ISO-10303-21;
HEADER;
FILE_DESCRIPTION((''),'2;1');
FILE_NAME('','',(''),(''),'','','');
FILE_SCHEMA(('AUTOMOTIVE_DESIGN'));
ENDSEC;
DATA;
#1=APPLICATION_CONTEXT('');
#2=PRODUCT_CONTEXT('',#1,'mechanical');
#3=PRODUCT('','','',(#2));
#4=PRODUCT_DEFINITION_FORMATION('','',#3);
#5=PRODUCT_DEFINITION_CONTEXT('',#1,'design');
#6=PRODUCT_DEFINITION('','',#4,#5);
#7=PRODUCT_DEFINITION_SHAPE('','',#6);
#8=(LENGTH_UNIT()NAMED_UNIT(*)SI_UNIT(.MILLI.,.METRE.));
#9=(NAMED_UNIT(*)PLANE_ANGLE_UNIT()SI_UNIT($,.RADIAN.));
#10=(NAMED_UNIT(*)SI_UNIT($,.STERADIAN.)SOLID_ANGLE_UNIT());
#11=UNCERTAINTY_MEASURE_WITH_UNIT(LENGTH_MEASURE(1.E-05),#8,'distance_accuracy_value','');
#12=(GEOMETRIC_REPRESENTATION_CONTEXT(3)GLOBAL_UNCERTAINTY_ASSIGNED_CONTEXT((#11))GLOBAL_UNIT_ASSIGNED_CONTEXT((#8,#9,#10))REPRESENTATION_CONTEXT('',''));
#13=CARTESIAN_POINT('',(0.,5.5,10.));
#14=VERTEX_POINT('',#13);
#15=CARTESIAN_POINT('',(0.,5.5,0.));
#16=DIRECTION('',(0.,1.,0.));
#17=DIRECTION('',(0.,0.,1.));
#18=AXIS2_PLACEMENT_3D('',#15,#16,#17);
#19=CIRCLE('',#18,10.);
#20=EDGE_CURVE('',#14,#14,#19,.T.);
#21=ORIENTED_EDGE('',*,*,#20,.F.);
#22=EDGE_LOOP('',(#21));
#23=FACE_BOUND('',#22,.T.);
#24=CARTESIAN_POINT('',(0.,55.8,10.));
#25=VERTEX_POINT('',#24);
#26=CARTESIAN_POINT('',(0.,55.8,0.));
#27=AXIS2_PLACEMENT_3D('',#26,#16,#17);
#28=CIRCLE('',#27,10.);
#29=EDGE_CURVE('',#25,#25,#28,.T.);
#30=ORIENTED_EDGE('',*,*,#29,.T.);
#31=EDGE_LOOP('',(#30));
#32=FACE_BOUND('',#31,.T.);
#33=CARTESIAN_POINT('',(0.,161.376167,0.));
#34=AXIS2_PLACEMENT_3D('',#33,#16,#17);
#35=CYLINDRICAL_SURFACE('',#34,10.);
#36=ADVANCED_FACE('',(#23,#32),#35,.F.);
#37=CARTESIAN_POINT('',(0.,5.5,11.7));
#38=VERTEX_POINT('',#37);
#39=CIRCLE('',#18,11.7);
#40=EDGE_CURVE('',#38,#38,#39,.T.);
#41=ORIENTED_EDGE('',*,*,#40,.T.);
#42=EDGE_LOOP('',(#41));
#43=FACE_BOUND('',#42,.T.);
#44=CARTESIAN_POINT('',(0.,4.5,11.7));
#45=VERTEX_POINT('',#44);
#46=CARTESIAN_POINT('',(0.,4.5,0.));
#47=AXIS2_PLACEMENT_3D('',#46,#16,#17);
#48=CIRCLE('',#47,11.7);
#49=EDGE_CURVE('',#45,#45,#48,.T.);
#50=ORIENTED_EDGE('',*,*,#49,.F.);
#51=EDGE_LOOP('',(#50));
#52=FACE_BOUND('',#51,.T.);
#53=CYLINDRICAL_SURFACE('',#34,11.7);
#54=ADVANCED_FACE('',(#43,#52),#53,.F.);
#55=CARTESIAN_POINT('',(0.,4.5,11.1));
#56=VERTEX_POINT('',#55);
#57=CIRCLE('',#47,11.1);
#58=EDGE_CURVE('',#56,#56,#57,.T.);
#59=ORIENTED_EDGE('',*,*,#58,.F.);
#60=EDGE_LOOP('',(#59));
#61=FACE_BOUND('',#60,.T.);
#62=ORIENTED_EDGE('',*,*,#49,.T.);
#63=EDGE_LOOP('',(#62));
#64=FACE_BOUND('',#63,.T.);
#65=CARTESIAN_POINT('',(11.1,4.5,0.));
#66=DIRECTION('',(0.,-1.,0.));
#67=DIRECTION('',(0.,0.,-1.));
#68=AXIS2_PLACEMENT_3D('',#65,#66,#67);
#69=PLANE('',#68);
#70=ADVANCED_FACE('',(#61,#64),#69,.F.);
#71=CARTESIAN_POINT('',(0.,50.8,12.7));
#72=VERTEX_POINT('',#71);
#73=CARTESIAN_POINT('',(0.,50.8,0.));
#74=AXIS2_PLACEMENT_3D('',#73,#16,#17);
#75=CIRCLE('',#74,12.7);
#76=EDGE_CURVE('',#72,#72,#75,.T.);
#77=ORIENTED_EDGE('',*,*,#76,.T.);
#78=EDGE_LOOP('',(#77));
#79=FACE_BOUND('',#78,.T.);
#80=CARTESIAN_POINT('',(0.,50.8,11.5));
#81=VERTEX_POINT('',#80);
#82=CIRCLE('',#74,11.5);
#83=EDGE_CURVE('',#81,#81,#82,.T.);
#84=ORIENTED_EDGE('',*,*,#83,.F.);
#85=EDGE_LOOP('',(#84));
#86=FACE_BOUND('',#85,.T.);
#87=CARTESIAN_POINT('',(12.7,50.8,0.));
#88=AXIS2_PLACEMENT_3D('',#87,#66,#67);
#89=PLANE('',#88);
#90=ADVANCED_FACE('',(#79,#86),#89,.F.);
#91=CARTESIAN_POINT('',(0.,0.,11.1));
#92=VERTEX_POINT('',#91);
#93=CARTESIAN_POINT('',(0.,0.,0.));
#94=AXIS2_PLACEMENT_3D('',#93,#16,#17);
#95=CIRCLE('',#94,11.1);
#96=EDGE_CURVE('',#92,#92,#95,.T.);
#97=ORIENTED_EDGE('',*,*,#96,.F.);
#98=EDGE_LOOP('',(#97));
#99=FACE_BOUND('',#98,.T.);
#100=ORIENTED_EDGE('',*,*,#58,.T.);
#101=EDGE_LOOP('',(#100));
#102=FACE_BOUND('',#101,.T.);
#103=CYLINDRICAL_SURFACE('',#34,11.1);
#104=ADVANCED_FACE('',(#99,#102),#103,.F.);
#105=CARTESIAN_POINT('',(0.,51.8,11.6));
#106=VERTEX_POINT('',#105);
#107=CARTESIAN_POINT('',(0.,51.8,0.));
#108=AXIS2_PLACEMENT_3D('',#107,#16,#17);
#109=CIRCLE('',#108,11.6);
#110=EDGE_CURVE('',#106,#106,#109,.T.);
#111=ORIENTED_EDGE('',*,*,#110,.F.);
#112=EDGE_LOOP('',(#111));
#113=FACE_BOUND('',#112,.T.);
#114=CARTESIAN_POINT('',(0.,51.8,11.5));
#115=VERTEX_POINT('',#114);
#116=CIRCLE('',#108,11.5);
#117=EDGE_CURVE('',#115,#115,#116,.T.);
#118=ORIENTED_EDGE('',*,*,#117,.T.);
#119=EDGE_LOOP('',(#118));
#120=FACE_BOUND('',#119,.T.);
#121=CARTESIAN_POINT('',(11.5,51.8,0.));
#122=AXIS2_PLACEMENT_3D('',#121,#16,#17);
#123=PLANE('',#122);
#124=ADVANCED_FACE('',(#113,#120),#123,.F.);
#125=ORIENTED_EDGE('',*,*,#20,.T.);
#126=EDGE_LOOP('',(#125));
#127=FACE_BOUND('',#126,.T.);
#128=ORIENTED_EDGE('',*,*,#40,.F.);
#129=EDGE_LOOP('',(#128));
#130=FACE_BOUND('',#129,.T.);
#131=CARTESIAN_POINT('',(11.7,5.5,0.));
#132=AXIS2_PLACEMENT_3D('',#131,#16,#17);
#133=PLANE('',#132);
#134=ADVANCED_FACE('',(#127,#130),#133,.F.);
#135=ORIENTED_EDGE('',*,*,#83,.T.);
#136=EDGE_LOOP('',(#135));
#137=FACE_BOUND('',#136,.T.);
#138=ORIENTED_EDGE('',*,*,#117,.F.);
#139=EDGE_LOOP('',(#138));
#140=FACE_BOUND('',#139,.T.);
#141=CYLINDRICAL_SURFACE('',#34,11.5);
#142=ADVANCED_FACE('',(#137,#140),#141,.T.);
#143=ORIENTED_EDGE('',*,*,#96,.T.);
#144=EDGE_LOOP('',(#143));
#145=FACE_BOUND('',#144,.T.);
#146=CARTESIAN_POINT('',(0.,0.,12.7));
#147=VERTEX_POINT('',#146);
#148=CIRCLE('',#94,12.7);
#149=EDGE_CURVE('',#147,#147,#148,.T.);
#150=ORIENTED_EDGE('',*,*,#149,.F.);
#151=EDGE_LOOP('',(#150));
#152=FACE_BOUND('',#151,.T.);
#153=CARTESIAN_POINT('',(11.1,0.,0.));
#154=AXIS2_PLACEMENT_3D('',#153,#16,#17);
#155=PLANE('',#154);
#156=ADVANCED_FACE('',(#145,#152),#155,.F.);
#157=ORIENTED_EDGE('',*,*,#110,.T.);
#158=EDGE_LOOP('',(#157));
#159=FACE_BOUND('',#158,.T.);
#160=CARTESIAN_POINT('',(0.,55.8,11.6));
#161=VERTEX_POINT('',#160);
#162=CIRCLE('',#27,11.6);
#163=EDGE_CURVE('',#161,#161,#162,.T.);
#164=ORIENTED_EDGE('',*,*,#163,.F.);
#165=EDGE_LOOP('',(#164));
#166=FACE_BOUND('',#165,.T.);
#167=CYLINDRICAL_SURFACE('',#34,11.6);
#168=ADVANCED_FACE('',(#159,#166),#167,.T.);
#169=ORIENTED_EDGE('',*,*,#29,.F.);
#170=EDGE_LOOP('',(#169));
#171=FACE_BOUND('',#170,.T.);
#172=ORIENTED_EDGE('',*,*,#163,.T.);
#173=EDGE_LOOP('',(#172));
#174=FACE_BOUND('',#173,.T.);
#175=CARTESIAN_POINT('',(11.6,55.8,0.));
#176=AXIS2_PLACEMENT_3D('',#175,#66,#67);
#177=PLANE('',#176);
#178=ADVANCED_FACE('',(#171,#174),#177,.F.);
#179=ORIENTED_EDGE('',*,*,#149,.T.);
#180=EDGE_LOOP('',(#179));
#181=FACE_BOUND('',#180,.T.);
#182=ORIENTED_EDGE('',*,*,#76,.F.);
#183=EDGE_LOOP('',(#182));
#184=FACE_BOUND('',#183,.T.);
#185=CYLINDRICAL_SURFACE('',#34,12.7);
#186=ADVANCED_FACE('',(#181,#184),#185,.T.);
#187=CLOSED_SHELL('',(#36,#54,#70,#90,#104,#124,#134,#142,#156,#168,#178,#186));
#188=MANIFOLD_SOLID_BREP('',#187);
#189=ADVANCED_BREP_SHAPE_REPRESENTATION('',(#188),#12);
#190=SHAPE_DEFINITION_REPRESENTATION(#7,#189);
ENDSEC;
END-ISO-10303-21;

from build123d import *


with BuildPart() as part:
    # 草图1 → 旋转1 (revolve)
    with BuildSketch(Plane.XY, mode=Mode.PRIVATE) as revolve_1_sk:
        Polygon((12.7, 0), (12.7, 50.8), (11.5, 50.8), (11.5, 51.8), (11.6, 51.8), (11.6, 55.8), (10, 55.8), (10, 5.5), (11.7, 5.5), (11.7, 4.5), (11.1, 4.5), (11.1, 0), align=None)
    revolve(revolve_1_sk.sketch.rotate(Axis((0, 161.376166943, 0), (0, -1, 0)), 90), axis=Axis((0, 161.376166943, 0), (0, -1, 0)))  # turned: the seam where the file's is


solid = part.part
